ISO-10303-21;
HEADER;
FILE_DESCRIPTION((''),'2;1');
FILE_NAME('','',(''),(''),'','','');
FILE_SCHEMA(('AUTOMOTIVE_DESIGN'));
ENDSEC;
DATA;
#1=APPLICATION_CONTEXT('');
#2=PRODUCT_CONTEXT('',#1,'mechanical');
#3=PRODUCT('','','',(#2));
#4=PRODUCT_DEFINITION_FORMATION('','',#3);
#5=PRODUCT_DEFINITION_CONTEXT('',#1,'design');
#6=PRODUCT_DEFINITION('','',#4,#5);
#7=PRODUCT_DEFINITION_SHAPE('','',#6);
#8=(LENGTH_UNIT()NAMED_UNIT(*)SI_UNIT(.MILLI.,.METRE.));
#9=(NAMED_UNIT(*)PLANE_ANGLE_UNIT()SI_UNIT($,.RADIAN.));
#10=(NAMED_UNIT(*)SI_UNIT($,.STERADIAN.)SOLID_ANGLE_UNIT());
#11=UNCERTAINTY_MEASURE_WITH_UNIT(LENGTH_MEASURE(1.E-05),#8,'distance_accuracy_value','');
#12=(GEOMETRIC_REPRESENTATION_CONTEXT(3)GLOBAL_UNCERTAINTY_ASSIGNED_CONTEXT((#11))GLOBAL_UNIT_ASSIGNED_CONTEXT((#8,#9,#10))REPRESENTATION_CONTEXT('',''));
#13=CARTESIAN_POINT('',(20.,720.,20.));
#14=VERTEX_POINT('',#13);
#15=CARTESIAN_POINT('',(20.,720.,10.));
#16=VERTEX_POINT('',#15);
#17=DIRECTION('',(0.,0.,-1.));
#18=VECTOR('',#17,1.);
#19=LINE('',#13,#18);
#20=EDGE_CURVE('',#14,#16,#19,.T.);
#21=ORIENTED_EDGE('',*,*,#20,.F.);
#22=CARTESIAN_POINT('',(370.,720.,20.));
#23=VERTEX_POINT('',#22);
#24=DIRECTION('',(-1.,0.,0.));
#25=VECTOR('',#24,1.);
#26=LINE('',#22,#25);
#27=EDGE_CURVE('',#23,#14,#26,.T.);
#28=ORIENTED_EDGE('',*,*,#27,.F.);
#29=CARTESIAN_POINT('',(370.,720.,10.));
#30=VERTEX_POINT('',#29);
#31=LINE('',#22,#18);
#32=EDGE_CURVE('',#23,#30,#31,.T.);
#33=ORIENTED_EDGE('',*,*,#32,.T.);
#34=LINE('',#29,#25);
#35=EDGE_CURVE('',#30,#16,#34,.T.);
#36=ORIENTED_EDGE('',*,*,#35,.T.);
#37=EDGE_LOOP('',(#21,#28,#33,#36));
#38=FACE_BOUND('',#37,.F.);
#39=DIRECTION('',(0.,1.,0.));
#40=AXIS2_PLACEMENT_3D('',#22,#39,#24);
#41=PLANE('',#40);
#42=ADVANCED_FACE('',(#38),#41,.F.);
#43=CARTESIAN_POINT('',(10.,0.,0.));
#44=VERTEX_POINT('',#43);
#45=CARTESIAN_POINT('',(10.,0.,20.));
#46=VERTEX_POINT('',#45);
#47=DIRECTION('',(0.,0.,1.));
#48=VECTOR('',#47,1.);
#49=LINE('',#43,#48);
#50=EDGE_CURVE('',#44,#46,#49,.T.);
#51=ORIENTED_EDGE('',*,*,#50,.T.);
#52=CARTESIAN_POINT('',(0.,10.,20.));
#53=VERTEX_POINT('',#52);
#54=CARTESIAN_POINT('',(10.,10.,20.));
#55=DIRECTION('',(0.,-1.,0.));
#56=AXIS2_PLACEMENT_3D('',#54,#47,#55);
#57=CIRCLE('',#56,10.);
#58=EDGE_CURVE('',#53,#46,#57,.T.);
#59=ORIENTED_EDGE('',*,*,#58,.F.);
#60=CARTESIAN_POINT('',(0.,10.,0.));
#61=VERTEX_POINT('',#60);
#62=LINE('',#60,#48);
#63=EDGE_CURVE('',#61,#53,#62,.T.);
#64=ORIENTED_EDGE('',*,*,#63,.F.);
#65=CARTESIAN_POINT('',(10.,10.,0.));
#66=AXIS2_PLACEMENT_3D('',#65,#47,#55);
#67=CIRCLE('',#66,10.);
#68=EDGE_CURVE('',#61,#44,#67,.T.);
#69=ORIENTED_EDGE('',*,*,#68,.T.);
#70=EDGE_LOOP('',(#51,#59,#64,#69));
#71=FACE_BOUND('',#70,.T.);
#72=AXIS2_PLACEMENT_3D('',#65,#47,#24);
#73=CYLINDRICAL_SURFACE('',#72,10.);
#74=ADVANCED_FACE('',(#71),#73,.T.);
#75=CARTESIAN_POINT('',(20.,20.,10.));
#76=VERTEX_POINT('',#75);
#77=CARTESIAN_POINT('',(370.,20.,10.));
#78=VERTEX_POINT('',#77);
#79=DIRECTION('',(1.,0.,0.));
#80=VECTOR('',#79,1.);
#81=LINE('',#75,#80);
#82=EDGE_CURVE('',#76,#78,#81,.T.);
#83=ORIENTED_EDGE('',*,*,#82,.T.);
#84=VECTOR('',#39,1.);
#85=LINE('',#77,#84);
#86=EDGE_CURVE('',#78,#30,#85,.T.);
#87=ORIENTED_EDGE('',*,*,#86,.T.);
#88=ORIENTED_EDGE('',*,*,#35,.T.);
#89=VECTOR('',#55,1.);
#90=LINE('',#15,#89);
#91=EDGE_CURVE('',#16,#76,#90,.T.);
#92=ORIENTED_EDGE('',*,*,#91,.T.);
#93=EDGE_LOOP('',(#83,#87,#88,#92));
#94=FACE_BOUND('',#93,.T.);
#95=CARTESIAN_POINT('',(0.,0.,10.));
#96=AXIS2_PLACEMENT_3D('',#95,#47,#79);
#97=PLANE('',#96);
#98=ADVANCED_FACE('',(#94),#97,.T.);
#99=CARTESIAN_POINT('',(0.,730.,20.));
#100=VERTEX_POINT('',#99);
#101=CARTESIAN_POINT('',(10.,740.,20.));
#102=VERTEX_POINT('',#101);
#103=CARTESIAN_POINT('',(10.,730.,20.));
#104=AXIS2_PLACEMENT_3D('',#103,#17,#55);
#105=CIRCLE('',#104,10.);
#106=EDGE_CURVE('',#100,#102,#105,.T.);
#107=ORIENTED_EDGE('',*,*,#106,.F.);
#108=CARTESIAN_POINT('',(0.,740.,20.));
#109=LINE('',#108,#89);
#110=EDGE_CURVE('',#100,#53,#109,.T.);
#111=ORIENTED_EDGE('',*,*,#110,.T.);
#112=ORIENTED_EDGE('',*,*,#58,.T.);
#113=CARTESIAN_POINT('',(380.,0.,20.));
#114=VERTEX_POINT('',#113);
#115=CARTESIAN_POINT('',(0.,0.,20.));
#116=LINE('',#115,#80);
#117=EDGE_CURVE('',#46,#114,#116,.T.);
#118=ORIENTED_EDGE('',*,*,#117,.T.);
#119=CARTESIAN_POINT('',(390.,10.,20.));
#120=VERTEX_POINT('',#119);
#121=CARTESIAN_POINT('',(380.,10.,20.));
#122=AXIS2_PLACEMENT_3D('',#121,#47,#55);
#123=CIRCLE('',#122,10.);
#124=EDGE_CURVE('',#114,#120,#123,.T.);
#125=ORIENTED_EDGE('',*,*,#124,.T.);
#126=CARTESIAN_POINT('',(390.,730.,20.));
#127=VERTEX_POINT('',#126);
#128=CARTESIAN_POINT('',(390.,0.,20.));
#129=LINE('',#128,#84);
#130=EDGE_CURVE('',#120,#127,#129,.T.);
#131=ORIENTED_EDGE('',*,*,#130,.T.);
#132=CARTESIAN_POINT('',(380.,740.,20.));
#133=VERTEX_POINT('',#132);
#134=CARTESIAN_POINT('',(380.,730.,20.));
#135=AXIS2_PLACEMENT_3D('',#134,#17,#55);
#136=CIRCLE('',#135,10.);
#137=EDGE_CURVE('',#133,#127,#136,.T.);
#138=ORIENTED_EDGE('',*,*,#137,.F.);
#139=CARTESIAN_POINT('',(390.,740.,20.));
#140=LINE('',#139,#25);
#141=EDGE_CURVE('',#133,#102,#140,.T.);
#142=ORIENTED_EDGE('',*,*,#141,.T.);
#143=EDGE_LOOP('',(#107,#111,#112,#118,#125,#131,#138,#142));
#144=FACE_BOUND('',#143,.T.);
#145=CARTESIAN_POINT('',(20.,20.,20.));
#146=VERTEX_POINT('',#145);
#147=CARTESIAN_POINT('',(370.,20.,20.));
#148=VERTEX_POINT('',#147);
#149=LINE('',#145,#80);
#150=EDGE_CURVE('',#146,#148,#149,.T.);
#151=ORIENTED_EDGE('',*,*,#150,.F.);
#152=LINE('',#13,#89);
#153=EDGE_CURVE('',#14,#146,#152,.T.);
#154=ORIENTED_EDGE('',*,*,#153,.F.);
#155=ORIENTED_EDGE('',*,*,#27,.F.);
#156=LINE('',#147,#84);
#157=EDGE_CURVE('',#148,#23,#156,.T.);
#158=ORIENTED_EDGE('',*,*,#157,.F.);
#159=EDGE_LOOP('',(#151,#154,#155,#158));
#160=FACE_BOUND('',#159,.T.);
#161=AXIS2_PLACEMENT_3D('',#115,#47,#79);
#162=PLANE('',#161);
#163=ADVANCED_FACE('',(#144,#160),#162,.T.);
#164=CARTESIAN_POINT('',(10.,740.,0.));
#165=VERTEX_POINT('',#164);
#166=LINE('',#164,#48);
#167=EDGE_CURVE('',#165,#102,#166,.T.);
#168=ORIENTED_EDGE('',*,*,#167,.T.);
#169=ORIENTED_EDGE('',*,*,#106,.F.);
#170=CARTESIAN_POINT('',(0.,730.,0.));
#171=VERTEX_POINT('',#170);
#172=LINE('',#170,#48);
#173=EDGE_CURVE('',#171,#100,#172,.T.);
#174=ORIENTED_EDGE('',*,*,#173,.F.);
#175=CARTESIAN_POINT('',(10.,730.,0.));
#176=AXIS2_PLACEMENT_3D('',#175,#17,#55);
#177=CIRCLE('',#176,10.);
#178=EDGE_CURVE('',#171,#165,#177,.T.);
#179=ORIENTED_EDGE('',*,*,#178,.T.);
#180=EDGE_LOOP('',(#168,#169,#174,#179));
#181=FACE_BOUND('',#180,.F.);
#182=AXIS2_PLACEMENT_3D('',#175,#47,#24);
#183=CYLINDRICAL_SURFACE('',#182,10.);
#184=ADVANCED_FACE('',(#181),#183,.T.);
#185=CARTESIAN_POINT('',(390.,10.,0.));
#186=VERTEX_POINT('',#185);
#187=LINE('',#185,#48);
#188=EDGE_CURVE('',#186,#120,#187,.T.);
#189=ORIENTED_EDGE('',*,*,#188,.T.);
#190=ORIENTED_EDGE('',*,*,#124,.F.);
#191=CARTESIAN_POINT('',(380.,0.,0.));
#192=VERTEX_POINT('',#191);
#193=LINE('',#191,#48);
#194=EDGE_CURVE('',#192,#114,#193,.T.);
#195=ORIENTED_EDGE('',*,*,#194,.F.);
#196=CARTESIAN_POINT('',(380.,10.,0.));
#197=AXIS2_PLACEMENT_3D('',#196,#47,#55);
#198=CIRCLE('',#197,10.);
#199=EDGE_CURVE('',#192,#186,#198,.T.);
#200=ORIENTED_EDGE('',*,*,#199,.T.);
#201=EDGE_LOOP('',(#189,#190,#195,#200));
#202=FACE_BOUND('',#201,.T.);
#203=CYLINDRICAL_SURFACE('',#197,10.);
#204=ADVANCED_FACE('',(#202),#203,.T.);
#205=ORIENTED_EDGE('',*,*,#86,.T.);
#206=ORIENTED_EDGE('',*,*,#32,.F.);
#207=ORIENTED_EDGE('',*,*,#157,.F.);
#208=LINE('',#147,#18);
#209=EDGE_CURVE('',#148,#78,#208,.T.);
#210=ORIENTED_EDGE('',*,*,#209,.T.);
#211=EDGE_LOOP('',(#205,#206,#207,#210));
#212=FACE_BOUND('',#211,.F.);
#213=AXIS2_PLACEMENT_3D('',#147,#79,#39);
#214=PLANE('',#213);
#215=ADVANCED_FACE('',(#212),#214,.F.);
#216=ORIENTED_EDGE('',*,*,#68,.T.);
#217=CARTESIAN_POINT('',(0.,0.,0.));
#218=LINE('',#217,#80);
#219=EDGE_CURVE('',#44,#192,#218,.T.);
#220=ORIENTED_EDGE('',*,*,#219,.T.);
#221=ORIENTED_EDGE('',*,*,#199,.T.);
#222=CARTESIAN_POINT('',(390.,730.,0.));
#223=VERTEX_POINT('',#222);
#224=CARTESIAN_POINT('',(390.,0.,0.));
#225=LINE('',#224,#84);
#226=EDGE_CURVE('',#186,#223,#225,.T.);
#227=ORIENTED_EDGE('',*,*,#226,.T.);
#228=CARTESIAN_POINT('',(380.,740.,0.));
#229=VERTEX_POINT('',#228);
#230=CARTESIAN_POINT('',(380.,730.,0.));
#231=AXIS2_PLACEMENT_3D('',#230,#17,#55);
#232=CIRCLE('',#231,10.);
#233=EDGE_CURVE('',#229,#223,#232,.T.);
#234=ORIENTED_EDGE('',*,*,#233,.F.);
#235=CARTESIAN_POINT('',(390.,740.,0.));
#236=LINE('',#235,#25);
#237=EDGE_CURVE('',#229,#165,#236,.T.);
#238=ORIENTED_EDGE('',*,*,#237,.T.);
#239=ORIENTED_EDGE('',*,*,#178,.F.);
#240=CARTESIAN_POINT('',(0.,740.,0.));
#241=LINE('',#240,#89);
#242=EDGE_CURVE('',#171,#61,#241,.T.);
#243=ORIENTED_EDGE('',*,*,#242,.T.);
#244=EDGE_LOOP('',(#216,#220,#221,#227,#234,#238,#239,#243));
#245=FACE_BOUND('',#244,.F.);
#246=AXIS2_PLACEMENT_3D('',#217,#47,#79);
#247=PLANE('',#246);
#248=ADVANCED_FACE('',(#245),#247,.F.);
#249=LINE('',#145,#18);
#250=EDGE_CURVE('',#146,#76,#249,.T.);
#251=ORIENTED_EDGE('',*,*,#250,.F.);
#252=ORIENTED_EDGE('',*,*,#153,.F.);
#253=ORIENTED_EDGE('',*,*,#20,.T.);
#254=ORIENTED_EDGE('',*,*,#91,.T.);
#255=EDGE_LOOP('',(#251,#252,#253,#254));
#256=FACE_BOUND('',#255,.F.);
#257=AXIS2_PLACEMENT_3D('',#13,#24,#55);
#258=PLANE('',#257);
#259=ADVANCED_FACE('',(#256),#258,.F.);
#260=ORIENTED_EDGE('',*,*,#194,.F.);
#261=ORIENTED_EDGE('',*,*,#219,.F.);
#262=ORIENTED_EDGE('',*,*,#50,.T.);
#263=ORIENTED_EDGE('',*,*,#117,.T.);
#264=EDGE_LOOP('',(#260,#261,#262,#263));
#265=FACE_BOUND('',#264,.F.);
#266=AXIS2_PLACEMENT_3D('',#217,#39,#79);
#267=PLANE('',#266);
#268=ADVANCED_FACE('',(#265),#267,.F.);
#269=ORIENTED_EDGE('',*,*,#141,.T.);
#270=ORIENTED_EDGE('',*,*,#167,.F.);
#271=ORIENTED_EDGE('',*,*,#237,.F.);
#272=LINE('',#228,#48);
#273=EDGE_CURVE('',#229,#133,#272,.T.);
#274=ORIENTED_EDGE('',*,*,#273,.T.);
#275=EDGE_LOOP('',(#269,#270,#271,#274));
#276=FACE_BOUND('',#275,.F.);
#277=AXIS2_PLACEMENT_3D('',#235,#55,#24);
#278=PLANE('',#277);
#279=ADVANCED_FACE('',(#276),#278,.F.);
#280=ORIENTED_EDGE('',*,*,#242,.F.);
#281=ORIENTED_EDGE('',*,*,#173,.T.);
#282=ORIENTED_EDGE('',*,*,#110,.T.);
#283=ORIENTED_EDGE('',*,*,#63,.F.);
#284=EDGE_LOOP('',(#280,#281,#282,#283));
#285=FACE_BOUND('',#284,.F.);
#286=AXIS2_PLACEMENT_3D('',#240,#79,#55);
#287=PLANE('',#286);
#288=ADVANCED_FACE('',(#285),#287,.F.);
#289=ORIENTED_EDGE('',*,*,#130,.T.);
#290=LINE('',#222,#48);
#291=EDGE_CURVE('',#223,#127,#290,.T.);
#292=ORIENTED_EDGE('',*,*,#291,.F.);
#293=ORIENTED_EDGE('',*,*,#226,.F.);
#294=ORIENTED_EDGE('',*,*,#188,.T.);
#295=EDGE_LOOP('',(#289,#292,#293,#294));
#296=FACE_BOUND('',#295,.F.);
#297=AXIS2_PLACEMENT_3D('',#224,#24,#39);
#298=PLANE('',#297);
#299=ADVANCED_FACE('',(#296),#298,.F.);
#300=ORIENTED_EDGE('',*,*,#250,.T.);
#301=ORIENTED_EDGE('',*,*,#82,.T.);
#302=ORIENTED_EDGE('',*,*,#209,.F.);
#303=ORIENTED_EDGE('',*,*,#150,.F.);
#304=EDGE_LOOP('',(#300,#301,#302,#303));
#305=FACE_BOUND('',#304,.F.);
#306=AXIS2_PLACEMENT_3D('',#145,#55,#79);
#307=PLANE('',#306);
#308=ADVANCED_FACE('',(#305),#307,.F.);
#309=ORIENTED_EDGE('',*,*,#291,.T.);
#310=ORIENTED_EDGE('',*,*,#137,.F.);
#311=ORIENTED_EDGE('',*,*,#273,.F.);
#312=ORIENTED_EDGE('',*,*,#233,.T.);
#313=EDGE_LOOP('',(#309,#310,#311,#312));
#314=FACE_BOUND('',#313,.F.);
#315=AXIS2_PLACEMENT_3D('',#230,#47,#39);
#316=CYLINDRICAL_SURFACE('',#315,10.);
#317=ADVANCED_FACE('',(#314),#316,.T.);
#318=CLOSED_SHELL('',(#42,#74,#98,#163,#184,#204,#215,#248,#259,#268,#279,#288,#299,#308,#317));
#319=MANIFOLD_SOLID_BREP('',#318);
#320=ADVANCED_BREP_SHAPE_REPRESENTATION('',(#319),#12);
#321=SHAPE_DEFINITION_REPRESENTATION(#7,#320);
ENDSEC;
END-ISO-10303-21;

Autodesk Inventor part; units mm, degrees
ref_plane "YZ Plane" through (0, 0, 0) normal (1, 0, 0) x (0, 1, 0)
ref_plane "XZ Plane" through (0, 0, 0) normal (0, 1, 0) x (-1, 0, 0)
ref_plane "XY Plane" through (0, 0, 0) normal (0, 0, 1) x (1, 0, 0)
sketch "Sketch1" plane through (0, 0, 0) normal (0, 0, 1) x (1, 0, 0)
  line L0 (0, 0) -> (390, 0)
  line L1 (390, 0) -> (390, 740)
  line L2 (390, 740) -> (0, 740)
  line L3 (0, 740) -> (0, 0)
  dimension "d0" = 390
  dimension "d1" = 740
extrude "Extrusion1" add sketch "Sketch1" along normal blind 20
sketch "Sketch2" plane through (0, 0, 20) normal (0, 0, 1) x (1, 0, 0)
  line L0 (20, 20) -> (370, 20)
  line L1 (370, 20) -> (370, 720)
  line L2 (370, 720) -> (20, 720)
  line L3 (20, 720) -> (20, 20)
  point P0 (0, 0)
  dimension "d6" = 350
  dimension "d7" = 700
extrude "Extrusion2" cut sketch "Sketch2" against normal blind 10
fillet "Fillet1" radius 10 4 edges at (390, 740, 10) (390, 0, 10) (0, 740, 10) (0, 0, 10)
properties part number "Tavla 35x70"
